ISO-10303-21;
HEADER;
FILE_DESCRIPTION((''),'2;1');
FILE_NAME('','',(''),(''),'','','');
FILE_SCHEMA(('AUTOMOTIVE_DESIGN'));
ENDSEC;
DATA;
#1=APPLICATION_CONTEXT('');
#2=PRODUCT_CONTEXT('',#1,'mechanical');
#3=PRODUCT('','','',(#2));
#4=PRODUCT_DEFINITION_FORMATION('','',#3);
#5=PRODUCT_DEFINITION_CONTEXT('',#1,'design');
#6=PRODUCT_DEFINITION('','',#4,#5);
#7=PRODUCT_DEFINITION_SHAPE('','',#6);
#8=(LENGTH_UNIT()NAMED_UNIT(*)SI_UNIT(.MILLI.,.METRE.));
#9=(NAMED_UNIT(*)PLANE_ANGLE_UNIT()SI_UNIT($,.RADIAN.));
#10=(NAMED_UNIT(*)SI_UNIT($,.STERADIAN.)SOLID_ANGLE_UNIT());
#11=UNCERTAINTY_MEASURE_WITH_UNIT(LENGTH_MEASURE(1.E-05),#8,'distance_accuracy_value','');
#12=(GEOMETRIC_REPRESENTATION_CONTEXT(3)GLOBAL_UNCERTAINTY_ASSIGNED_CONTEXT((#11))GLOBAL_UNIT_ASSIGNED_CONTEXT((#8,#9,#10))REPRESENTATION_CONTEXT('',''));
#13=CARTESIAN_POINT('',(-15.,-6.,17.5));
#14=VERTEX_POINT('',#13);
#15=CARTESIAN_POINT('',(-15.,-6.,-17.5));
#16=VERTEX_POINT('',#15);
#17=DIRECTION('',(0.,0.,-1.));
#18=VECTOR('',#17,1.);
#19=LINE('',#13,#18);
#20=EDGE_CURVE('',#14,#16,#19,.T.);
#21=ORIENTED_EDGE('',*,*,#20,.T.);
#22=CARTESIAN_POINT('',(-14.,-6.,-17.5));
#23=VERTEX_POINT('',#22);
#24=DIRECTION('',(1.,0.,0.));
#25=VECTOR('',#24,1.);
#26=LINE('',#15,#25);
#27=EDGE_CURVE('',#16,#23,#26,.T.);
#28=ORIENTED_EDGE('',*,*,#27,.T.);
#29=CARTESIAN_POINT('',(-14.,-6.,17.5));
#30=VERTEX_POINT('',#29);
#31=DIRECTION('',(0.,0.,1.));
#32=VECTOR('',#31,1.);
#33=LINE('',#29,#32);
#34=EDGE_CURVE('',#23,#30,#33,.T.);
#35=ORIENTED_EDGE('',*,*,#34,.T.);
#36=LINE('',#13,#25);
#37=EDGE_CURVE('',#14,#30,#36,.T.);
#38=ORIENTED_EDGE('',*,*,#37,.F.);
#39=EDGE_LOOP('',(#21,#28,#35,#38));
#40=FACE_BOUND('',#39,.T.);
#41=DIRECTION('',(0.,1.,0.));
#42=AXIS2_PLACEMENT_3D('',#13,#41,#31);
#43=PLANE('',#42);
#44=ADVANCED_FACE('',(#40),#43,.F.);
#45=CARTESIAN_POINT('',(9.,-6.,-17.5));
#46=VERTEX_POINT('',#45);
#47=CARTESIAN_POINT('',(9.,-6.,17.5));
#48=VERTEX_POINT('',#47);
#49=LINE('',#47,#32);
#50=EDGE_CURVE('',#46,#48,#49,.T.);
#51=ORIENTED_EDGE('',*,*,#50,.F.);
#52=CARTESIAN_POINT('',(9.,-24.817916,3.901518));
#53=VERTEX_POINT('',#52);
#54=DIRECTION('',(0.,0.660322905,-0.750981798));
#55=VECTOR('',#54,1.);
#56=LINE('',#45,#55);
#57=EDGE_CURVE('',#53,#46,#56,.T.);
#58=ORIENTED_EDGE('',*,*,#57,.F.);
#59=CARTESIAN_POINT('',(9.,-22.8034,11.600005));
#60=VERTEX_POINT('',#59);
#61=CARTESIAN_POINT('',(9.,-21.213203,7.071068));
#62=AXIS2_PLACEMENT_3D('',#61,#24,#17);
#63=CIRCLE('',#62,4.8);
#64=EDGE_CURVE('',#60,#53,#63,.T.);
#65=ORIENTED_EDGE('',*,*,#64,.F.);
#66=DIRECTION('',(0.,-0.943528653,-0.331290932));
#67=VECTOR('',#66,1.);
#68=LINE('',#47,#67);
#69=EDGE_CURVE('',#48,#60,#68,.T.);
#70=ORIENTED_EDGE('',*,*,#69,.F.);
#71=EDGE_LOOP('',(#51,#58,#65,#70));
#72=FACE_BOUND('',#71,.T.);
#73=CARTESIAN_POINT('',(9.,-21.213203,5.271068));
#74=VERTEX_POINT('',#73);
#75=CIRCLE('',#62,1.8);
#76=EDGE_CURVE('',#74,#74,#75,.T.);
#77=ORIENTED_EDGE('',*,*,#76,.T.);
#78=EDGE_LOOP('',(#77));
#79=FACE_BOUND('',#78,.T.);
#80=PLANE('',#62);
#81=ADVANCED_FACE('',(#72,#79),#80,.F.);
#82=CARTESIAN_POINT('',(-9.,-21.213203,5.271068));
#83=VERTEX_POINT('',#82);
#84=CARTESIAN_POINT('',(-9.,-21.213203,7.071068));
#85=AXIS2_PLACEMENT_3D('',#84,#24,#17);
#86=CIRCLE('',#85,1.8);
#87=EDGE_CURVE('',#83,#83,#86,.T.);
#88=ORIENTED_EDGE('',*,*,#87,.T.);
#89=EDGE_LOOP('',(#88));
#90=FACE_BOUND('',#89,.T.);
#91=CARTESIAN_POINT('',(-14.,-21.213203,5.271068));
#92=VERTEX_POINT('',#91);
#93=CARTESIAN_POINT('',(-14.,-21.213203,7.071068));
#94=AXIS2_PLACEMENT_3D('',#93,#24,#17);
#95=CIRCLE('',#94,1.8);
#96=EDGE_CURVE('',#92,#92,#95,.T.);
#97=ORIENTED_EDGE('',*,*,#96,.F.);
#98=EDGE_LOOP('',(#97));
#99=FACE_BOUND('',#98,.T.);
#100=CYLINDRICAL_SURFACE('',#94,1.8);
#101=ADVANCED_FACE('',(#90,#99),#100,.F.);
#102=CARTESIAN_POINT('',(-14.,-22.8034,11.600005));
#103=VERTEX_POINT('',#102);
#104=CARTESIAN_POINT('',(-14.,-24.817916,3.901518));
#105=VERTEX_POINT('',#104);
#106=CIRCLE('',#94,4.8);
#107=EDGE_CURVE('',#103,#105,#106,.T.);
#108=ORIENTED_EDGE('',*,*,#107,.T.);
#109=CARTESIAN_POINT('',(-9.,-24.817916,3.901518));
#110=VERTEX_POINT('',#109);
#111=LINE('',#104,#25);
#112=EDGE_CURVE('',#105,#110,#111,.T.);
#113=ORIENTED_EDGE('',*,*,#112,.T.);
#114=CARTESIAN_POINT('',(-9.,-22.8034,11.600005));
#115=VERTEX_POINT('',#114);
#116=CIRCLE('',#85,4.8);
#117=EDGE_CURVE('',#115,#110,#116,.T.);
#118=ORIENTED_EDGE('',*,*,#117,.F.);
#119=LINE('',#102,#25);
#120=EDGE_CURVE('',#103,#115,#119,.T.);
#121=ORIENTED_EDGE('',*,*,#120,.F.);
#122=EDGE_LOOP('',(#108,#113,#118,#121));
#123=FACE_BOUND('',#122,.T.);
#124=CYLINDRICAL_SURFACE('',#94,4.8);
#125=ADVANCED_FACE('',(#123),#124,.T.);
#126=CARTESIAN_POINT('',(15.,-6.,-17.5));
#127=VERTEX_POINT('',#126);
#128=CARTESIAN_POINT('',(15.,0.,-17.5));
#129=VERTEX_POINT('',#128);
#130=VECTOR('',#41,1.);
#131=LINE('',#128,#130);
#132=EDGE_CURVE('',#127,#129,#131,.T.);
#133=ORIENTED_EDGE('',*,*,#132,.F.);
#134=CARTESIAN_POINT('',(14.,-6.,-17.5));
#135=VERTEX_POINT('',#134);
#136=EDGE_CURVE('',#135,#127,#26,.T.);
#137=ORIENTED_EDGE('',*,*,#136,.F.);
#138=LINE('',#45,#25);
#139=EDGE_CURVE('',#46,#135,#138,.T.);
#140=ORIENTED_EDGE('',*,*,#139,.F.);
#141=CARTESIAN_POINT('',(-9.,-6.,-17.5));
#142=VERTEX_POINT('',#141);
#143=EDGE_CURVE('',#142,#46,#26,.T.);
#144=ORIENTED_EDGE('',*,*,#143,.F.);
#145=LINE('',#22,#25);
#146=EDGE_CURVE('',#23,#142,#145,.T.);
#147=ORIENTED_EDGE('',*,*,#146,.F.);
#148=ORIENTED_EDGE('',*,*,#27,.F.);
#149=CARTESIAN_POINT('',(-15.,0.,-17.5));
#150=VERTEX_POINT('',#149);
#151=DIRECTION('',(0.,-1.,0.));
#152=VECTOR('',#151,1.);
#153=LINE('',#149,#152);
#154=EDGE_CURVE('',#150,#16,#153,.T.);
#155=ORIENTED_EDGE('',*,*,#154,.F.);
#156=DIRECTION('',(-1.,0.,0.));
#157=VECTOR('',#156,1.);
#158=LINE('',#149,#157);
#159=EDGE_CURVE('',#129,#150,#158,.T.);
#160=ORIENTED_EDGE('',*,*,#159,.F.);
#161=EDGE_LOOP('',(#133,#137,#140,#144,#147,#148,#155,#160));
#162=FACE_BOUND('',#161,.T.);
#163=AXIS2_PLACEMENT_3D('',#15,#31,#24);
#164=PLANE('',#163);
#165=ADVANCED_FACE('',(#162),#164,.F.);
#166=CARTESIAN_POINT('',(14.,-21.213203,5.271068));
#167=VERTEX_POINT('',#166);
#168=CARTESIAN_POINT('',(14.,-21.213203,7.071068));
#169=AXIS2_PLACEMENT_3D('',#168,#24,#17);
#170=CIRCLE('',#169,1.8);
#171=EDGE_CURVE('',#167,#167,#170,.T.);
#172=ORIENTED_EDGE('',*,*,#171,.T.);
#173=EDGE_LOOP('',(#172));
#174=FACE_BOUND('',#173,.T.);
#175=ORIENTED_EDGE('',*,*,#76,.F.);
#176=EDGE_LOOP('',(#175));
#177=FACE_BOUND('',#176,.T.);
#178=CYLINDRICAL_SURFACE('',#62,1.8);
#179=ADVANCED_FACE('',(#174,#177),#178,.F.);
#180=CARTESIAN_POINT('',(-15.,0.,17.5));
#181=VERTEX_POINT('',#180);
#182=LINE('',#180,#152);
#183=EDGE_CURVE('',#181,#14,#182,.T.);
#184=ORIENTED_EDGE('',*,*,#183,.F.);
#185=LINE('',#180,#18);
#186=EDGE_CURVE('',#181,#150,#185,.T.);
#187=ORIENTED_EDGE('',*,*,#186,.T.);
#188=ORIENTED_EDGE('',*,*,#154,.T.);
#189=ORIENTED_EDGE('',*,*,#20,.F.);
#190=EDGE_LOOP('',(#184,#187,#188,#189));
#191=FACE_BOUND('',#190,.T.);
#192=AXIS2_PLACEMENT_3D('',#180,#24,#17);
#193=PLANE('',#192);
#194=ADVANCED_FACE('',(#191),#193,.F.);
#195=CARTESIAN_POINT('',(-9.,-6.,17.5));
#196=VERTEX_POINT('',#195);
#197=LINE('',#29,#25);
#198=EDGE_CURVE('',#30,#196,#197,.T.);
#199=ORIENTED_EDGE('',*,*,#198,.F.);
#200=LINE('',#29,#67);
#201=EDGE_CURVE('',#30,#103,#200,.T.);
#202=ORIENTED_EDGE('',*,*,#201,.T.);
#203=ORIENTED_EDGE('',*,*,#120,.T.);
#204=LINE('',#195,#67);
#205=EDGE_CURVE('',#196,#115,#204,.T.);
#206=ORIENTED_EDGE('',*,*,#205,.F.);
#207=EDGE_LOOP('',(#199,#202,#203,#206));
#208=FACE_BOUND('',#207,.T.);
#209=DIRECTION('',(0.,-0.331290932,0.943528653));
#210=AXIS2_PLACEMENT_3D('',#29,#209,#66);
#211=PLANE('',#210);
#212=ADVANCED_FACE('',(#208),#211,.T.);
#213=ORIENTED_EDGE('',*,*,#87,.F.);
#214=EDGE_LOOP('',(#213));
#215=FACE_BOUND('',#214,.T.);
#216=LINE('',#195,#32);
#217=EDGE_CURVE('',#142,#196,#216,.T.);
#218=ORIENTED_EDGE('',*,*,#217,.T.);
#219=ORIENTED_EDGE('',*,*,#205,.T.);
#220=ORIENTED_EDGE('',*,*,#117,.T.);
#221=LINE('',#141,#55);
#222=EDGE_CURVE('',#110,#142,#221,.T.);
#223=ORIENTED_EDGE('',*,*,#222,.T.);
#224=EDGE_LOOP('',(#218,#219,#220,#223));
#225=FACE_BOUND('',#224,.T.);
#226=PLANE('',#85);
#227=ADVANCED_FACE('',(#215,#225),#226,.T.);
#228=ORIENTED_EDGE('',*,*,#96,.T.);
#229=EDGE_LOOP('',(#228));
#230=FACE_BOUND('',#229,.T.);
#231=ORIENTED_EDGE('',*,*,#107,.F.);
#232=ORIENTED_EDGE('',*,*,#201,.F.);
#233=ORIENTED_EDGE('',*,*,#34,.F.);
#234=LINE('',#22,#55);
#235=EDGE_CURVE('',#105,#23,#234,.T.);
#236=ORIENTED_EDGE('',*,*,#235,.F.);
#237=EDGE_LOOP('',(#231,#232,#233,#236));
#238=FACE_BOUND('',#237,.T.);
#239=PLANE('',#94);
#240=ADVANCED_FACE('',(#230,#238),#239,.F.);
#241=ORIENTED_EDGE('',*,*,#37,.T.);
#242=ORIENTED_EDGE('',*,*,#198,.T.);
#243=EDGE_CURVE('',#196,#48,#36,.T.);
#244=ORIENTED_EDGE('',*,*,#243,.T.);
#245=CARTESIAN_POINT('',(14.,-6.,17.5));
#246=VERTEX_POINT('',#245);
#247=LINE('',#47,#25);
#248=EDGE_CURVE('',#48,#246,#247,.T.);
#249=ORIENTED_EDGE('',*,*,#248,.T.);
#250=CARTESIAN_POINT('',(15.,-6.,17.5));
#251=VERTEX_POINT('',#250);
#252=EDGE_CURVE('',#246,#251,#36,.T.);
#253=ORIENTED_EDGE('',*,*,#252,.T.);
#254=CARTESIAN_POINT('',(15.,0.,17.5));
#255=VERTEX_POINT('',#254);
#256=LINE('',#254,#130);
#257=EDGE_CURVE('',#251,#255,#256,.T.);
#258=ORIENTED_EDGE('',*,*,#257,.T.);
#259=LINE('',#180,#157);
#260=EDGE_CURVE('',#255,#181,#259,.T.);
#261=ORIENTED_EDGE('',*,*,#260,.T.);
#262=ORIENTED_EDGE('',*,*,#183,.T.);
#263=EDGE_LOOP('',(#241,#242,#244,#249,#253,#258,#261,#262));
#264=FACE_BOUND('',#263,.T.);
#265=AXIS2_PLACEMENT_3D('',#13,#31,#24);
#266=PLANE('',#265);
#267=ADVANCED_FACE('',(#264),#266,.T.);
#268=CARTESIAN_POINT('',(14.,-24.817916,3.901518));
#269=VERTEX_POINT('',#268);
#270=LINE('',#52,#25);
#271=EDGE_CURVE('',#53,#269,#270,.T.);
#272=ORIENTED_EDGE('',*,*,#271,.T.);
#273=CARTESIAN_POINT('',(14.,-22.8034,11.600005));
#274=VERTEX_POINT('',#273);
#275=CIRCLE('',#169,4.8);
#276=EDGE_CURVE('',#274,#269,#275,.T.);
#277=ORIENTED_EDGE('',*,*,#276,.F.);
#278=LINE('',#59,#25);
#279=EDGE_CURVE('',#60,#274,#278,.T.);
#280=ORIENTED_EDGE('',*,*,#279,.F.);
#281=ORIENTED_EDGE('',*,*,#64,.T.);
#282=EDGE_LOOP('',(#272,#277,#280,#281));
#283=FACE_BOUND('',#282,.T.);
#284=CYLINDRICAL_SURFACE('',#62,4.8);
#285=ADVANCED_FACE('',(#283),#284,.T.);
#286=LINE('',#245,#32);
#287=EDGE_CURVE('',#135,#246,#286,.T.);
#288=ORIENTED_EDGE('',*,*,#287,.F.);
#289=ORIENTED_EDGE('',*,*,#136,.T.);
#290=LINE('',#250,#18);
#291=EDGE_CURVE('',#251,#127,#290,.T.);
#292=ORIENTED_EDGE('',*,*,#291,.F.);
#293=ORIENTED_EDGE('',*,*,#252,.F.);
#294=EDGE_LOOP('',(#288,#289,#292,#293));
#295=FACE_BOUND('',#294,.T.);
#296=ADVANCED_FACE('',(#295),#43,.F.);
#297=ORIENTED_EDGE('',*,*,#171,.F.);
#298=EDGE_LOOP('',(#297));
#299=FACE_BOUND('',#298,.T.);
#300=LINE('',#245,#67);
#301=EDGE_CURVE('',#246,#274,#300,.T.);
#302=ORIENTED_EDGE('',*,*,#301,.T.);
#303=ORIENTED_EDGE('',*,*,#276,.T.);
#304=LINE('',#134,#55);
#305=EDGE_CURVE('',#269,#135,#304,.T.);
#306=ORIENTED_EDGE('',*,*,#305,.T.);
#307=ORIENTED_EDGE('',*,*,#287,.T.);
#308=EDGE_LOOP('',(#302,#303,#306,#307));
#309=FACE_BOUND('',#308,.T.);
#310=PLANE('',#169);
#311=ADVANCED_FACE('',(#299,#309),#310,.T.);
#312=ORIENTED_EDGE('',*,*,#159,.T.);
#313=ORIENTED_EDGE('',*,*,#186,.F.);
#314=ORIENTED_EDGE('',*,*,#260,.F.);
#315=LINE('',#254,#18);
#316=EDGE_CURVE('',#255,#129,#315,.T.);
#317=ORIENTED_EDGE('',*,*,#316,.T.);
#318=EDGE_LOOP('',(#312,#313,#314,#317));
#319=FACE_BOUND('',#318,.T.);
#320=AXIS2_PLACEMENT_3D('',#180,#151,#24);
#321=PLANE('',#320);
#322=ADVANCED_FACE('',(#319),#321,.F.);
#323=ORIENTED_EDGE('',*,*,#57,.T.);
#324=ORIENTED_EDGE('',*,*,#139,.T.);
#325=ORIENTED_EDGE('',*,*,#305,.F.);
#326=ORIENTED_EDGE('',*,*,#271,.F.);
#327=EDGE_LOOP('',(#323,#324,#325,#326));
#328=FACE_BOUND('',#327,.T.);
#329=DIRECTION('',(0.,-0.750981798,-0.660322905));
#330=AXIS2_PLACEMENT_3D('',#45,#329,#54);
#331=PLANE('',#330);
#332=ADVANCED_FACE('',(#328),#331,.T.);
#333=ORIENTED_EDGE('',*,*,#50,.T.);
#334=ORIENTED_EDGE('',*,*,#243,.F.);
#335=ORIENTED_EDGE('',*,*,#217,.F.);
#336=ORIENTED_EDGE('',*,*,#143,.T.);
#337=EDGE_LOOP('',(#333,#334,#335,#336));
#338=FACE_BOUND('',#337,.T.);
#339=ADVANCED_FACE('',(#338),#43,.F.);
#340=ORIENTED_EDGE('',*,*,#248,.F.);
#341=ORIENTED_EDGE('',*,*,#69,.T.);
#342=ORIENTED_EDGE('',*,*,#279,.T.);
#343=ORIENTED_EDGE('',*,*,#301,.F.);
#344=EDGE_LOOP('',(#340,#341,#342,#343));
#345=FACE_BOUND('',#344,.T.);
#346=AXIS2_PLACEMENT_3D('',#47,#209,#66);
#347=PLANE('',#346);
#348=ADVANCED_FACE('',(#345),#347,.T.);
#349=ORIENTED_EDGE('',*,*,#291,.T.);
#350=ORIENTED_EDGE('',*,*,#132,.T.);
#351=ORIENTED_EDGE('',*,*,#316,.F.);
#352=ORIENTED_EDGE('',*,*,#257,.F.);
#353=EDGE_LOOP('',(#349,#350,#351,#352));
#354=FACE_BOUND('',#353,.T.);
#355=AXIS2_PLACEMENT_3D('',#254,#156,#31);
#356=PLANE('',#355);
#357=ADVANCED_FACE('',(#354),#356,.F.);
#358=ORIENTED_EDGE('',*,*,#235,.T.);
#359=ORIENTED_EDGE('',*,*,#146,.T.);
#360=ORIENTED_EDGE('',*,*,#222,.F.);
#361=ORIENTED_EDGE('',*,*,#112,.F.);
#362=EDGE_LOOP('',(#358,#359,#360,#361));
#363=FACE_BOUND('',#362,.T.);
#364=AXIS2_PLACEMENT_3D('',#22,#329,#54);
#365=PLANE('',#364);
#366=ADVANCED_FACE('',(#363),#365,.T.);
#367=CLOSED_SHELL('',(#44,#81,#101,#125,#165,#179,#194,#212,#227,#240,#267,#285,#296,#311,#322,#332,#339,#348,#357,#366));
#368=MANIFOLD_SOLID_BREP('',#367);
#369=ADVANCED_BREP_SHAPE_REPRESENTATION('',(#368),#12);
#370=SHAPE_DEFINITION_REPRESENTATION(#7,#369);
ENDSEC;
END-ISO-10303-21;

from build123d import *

# Parameters (mm, degrees)
ESQUISSE1_W                = 30
ESQUISSE1_H                = 6
BOSS_EXTRU_1_DEPTH         = 17.5
ESQUISSE3_R                = 1.8
BOSS_EXTRU_2_DEPTH         = 5
R_P_TITION_LIN_AIRE1_COUNT = 2
R_P_TITION_LIN_AIRE1_PITCH = 23


with BuildPart() as part:
    # Esquisse1 → Boss.-Extru.1 (new, symmetric)
    with BuildSketch(Plane.XY):
        with Locations((0, -3)):
            Rectangle(ESQUISSE1_W, ESQUISSE1_H)
    extrude(amount=BOSS_EXTRU_1_DEPTH, both=True)

    # Esquisse3 → Boss.-Extru.2 (add)
    with BuildSketch(Plane(origin=(14, 0, 0), x_dir=(0, 0, -1), z_dir=(1, 0, 0))):
        with BuildLine():
            Line((-17.5, -6), (17.5, -6))
            Line((17.5, -6), (-3.901517868, -24.817916067))
            ThreePointArc((-3.901517868, -24.817916067), (-8.286202576, -25.856849364), (-11.600005345, -22.803399907))
            Line((-11.600005345, -22.803399907), (-17.5, -6))
        make_face()
        with Locations((-7.071067812, -21.213203436)):
            Circle(ESQUISSE3_R, mode=Mode.SUBTRACT)
    boss_extru_2 = extrude(amount=-BOSS_EXTRU_2_DEPTH)

    # Répétition linéaire1: Boss.-Extru.2 ×2
    with Locations(*[(-i * R_P_TITION_LIN_AIRE1_PITCH, 0, 0) for i in range(1, R_P_TITION_LIN_AIRE1_COUNT)]):
        add(boss_extru_2)


solid = part.part
